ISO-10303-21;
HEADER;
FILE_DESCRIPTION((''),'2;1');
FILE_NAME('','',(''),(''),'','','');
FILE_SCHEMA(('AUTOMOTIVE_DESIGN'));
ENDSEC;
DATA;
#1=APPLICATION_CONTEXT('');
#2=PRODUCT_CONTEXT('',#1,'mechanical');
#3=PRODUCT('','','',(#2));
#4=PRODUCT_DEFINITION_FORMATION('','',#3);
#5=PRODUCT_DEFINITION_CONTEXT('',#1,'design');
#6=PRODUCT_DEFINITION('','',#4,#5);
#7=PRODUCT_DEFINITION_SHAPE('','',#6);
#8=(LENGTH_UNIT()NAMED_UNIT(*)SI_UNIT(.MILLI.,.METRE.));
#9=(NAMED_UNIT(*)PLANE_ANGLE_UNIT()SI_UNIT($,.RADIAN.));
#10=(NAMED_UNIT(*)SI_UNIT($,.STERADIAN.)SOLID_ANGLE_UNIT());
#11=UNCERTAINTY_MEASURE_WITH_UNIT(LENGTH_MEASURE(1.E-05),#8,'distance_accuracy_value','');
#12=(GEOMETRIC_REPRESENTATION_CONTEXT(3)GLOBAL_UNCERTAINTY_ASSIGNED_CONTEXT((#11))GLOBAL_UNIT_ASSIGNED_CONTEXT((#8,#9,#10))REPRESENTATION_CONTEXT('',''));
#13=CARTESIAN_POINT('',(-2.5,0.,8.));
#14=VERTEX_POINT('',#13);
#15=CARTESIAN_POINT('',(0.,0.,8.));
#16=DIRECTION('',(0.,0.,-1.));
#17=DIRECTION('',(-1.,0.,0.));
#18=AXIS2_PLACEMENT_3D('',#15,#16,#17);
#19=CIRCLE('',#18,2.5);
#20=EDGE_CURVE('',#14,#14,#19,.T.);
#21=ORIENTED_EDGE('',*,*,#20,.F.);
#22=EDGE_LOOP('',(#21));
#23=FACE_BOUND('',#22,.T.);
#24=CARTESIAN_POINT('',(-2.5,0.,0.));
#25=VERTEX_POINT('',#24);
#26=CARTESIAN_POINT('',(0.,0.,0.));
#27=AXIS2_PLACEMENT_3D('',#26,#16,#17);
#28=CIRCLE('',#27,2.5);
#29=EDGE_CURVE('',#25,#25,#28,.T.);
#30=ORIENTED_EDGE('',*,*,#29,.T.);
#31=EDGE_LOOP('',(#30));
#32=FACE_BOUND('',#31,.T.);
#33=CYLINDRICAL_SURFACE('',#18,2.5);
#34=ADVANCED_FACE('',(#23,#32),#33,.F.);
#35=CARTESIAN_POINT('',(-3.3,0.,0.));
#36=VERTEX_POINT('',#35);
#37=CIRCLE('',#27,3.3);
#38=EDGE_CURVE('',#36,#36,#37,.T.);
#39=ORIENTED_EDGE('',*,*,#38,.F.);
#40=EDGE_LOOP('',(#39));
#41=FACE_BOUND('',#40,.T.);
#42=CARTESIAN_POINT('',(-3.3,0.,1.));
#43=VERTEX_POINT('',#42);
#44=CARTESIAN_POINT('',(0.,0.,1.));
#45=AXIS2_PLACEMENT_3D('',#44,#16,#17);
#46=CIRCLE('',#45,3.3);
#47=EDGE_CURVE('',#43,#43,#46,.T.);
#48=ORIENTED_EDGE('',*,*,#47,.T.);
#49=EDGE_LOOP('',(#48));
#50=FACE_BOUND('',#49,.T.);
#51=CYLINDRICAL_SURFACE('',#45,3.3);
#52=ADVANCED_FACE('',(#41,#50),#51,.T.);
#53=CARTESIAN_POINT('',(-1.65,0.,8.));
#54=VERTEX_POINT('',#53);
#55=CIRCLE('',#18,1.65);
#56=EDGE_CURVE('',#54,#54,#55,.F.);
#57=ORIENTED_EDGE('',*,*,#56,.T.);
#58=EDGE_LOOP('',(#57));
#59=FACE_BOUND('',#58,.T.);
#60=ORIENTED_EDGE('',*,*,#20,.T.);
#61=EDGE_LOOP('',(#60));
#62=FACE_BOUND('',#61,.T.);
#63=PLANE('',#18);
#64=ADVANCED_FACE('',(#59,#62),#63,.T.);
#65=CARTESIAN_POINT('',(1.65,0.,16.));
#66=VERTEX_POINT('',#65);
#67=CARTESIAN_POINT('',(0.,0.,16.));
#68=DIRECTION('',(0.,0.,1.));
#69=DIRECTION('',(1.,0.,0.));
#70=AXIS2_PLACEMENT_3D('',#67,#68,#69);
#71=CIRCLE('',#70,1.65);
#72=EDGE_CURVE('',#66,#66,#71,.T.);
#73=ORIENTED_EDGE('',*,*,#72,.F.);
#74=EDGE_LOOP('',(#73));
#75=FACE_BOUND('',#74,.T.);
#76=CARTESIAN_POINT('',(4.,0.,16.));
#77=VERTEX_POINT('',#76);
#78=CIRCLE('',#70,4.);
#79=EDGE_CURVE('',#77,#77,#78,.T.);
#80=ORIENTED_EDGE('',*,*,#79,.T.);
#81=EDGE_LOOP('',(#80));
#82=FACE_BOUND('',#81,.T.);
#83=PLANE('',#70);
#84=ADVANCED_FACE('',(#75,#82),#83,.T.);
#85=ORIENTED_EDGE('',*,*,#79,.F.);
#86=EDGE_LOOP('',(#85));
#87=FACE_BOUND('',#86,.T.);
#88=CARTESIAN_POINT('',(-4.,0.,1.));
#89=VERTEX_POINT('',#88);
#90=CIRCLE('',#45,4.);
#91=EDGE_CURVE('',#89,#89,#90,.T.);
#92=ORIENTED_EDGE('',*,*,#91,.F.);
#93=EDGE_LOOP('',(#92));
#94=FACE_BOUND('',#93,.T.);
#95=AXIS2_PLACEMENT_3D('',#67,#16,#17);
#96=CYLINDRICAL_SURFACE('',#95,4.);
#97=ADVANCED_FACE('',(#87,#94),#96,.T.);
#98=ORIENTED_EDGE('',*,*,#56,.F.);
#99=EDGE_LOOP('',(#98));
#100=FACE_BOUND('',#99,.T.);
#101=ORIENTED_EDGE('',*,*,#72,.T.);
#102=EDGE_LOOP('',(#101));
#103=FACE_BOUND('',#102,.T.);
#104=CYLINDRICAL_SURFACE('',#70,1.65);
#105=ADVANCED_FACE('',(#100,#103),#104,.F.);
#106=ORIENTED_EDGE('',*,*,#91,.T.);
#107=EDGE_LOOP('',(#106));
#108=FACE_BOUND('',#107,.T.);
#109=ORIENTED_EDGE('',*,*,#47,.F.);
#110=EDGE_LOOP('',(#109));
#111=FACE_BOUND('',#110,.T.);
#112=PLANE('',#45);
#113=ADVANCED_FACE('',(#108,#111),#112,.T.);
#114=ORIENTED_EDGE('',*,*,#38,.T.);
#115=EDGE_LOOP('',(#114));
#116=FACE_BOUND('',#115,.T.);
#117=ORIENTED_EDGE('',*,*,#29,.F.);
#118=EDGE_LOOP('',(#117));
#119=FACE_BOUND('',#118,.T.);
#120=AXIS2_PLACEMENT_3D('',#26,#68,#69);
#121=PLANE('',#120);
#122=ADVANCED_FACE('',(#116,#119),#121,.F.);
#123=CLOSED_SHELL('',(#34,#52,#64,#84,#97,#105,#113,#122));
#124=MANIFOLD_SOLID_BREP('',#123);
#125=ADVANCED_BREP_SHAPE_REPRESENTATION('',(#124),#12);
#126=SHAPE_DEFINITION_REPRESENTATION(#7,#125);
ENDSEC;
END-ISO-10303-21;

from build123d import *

# Parameters (mm, degrees)
ESQUISSE1_R             = 4
BOSS_EXTRU_1_DEPTH      = 16
TROU_TARAUD_M41_D       = 3.3
TROU_TARAUD_M41_DEPTH   = 8
TROU_TARAUD_M41_TIP     = 0.991420021
ESQUISSE4_R             = 2.5
ENL_V_MAT_EXTRU_1_DEPTH = 8
ESQUISSE5_OUTSIDE_W     = 13.92
ESQUISSE5_OUTSIDE_H     = 13.92
ESQUISSE5_OUTSIDE_R     = 3.3
ENL_V_MAT_EXTRU_2_DEPTH = 1


with BuildPart() as part:
    # Esquisse1 → Boss.-Extru.1 (new body)
    with BuildSketch(Plane.XY):
        Circle(ESQUISSE1_R)
    extrude(amount=BOSS_EXTRU_1_DEPTH)

    # Trou taraudé M41
    with Locations(Plane.XY.offset(16)):
        with Locations((0, 0)):
            Hole(TROU_TARAUD_M41_D / 2, depth=TROU_TARAUD_M41_DEPTH)
            with Locations((0, 0, -(TROU_TARAUD_M41_DEPTH + TROU_TARAUD_M41_TIP / 2))):  # 118° drill point
                Cone(0, TROU_TARAUD_M41_D / 2, TROU_TARAUD_M41_TIP, mode=Mode.SUBTRACT)

    # Esquisse4 → Enlèv. mat.-Extru.1 (cut)
    with BuildSketch(Plane(origin=(0, 0, 0), x_dir=(-1, 0, 0), z_dir=(0, 0, -1))):
        Circle(ESQUISSE4_R)
    extrude(amount=-ENL_V_MAT_EXTRU_1_DEPTH, mode=Mode.SUBTRACT)

    # Esquisse5 outside → Enlèv. mat.-Extru.2 (cut)
    with BuildSketch(Plane(origin=(0, 0, 0), x_dir=(-1, 0, 0), z_dir=(0, 0, -1))):
        Rectangle(ESQUISSE5_OUTSIDE_W, ESQUISSE5_OUTSIDE_H)
        Circle(ESQUISSE5_OUTSIDE_R, mode=Mode.SUBTRACT)
    extrude(amount=-ENL_V_MAT_EXTRU_2_DEPTH, mode=Mode.SUBTRACT)


solid = part.part
